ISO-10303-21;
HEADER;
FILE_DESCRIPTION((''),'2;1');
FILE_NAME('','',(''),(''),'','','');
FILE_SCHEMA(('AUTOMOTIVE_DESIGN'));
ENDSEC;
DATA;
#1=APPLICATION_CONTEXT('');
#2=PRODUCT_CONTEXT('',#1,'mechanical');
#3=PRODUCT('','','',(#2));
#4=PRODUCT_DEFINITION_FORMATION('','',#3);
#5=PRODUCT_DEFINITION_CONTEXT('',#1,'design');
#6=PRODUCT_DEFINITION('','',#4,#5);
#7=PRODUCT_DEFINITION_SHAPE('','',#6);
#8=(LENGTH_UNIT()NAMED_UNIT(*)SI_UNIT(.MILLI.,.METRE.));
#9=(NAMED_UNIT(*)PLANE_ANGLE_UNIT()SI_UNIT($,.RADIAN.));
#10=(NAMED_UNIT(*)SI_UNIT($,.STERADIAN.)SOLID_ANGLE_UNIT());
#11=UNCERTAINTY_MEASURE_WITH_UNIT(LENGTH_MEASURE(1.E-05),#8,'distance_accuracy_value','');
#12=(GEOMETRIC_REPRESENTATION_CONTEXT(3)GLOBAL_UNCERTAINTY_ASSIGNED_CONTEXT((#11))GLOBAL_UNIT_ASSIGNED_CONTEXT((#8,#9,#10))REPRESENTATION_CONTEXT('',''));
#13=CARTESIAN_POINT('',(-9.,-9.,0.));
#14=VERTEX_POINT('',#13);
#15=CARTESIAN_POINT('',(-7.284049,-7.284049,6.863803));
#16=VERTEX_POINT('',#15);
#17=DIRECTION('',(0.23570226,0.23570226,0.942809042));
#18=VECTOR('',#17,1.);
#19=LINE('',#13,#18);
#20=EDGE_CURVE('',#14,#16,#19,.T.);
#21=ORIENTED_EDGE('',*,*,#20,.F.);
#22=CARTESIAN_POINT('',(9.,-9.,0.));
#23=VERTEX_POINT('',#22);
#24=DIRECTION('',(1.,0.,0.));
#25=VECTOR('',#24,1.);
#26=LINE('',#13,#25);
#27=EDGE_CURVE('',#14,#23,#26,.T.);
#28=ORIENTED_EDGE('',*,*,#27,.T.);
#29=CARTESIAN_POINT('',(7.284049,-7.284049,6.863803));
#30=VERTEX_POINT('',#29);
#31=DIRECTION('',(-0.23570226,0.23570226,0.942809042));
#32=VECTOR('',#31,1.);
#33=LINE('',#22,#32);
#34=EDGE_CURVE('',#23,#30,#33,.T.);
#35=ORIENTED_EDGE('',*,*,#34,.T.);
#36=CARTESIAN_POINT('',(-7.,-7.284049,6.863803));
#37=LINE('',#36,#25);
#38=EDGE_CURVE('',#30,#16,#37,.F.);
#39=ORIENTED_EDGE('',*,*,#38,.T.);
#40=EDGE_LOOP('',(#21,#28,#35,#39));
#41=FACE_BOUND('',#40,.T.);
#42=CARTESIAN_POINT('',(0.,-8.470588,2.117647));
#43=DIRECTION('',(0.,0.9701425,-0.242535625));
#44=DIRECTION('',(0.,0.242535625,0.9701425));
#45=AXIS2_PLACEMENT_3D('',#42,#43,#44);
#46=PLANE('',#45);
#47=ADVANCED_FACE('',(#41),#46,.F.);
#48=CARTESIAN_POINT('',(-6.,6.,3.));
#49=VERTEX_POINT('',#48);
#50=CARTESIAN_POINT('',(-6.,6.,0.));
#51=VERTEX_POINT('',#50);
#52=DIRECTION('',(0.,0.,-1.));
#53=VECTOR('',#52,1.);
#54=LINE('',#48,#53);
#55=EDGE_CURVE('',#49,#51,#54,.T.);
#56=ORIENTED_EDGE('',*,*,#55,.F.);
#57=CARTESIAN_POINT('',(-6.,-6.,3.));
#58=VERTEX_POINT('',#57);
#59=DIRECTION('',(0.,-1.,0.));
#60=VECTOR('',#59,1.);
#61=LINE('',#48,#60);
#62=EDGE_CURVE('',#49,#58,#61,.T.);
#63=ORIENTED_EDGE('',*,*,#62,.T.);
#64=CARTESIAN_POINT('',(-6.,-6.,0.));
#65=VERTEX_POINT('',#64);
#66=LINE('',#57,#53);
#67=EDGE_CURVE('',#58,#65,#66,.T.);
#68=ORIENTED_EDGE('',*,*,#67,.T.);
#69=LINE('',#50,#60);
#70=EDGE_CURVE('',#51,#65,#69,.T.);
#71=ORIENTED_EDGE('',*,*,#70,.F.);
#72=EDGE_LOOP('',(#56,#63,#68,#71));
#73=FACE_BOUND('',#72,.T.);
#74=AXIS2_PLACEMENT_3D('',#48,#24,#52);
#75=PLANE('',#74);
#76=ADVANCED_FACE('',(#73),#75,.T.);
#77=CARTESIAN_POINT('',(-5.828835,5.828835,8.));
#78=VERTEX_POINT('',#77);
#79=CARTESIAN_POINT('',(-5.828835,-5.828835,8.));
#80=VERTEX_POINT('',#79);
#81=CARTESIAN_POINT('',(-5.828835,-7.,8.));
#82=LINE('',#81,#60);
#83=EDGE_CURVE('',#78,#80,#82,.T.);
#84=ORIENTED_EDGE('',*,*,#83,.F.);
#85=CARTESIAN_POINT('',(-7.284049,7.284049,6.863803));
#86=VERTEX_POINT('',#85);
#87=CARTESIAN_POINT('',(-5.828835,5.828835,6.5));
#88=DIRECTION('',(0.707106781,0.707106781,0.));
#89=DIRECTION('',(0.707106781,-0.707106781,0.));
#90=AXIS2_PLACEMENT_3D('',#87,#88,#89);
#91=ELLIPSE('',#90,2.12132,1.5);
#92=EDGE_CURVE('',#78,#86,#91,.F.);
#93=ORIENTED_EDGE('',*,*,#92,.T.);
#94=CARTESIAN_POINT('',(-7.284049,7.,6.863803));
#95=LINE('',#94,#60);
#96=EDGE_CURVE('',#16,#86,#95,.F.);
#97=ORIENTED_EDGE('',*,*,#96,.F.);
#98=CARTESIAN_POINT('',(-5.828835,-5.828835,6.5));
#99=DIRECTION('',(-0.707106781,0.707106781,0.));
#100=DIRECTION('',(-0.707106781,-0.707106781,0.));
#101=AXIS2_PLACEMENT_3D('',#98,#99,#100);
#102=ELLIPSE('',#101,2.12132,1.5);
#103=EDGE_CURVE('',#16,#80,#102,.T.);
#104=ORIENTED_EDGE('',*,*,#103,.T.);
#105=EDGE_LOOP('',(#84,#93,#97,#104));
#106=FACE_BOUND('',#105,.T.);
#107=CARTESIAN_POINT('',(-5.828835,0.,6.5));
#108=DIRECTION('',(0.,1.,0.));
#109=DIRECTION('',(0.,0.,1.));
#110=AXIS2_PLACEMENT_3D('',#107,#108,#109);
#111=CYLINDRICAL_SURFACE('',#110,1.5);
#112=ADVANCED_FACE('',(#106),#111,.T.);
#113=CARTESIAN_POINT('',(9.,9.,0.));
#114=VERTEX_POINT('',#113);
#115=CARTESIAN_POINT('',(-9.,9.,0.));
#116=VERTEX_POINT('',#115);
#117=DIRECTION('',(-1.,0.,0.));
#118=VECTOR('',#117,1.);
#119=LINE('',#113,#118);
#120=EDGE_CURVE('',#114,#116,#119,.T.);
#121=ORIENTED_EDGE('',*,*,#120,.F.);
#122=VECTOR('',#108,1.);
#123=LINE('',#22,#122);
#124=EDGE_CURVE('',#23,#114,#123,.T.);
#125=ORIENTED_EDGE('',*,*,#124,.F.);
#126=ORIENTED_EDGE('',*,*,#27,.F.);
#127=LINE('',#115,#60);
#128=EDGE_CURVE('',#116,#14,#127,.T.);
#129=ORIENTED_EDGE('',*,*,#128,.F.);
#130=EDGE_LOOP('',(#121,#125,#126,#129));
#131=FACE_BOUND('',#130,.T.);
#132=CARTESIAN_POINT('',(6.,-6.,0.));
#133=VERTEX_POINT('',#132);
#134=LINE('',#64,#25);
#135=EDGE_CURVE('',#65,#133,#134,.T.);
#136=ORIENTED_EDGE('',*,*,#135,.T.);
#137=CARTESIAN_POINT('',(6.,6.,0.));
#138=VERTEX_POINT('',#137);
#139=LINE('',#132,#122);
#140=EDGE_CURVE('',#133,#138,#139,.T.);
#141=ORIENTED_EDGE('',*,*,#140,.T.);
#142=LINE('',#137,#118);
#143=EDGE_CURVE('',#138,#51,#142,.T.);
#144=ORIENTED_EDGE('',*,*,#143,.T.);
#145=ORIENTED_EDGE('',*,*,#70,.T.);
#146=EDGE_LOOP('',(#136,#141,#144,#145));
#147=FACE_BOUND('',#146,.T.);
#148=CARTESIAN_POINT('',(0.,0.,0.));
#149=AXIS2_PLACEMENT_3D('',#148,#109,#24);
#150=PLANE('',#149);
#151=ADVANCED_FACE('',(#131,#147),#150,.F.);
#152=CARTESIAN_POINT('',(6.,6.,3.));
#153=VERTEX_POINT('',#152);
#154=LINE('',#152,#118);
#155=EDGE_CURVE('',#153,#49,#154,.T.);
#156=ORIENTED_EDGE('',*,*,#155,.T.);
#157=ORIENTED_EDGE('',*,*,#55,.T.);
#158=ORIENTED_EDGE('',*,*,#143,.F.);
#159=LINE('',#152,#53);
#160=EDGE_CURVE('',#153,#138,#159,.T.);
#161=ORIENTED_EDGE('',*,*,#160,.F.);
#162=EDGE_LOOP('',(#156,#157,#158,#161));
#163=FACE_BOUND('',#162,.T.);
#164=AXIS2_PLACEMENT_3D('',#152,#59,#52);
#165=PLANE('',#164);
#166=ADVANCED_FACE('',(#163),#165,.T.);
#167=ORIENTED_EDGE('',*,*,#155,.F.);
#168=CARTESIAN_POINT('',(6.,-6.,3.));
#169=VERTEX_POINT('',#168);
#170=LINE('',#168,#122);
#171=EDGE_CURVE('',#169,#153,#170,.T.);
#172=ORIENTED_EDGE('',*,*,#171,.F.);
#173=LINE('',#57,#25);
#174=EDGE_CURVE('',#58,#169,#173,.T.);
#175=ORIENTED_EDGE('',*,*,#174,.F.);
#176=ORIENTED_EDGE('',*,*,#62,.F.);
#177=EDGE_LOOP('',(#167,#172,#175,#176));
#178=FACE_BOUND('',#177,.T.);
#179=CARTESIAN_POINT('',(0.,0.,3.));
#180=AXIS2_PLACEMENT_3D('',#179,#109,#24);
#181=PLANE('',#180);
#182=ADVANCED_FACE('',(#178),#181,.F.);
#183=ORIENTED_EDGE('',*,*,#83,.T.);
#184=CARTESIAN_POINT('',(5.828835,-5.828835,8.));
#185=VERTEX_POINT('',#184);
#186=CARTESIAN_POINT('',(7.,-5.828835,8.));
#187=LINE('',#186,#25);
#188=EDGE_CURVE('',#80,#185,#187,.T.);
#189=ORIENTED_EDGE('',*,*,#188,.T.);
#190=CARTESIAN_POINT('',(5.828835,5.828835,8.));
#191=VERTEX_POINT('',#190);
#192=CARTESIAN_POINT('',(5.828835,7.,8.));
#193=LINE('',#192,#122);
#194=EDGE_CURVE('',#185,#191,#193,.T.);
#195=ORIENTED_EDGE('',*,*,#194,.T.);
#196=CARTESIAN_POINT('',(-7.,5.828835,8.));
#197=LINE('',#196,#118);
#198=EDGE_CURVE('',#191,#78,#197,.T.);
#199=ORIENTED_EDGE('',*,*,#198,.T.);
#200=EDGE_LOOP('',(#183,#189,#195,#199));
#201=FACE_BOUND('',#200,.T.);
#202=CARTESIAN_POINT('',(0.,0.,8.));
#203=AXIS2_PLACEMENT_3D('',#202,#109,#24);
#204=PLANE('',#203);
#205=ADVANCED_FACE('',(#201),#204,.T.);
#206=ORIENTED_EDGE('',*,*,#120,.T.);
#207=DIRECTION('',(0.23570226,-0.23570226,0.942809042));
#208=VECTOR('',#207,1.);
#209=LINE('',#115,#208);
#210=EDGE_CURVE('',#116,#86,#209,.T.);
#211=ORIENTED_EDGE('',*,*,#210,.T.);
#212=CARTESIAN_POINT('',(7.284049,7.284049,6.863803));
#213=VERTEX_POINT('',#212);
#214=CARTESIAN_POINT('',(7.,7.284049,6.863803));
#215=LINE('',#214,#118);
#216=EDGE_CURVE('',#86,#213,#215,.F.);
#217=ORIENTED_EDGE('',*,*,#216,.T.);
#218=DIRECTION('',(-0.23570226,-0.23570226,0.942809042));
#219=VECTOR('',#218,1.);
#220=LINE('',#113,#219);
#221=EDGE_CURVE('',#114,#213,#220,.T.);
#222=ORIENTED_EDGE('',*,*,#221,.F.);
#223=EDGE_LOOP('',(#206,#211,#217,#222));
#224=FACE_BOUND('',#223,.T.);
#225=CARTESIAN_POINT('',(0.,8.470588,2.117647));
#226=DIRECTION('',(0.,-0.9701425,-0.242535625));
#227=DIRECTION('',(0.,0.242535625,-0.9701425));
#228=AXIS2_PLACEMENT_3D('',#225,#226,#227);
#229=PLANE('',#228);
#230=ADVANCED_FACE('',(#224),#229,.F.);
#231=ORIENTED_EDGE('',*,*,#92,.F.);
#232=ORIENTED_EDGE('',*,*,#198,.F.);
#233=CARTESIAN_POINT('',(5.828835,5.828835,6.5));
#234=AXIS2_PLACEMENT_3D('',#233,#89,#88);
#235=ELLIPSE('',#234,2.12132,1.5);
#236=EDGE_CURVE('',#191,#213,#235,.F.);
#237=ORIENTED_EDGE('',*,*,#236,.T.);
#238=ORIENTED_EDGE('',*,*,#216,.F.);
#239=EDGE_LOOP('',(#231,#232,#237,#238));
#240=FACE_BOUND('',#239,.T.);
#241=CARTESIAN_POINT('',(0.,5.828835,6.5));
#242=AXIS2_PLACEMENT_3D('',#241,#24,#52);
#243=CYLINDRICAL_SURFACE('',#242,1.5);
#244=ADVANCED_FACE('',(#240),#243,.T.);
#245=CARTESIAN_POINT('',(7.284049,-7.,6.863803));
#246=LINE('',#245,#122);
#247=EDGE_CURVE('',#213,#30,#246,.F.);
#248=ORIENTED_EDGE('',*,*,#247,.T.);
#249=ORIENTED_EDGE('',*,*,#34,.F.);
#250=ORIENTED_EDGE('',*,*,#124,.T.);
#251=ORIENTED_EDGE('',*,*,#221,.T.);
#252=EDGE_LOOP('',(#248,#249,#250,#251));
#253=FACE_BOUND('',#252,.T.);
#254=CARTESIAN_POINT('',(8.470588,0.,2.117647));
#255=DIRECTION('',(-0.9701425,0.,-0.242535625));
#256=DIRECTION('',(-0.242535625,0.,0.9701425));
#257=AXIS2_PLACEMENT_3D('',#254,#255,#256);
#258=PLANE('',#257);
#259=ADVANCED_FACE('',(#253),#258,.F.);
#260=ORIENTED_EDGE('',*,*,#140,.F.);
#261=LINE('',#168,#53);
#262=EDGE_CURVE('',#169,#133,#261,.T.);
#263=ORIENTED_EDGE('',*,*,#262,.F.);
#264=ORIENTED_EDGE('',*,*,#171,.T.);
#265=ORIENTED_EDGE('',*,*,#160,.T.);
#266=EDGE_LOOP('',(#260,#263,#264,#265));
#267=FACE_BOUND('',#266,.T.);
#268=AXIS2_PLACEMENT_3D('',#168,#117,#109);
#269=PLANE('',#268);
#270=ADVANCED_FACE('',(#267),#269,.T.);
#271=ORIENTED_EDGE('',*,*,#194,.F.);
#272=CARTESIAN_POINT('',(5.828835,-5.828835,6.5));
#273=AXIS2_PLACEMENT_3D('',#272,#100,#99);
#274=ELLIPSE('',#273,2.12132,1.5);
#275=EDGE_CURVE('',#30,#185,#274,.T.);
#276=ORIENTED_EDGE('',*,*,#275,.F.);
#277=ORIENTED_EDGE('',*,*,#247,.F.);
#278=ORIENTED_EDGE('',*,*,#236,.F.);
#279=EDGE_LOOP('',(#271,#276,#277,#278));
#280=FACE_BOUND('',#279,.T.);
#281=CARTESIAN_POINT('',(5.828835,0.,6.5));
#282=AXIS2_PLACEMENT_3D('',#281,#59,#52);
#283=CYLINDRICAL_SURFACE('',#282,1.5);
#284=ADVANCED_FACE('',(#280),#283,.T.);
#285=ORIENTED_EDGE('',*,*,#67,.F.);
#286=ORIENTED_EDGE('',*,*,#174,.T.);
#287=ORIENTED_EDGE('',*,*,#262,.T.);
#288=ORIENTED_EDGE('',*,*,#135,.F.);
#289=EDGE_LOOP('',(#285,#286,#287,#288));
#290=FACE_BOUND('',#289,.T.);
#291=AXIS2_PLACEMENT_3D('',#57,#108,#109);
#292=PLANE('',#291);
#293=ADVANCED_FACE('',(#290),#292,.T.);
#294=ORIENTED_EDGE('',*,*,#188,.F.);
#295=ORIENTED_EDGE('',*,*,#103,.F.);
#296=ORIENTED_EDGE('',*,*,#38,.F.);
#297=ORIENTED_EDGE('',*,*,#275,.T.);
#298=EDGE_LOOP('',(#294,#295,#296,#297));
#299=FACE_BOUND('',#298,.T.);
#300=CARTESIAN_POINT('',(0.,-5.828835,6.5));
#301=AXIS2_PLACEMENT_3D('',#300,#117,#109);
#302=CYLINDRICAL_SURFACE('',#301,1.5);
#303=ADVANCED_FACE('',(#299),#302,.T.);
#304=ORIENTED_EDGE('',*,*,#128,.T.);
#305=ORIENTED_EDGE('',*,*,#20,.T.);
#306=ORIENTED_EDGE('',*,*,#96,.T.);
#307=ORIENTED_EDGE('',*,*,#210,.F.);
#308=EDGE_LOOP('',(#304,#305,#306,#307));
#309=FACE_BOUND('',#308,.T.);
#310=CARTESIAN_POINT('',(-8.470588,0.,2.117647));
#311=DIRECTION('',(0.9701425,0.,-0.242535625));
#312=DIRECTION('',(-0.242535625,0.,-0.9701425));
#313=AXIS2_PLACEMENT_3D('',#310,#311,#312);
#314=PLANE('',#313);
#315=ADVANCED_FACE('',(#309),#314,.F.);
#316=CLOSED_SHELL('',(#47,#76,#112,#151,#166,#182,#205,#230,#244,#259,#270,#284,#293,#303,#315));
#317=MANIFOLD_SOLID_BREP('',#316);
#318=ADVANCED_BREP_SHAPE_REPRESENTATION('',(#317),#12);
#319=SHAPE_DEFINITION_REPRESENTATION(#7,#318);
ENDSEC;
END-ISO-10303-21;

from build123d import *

# Parameters (mm, degrees)
SKETCH_3_W          = 12
SKETCH_3_H          = 12
CUT_EXTRUDE_1_DEPTH = 3
FILLET_1_R          = 1.5


with BuildPart() as part:
    # 草图1 → 放样1 section 0
    with BuildSketch(Plane.XY):
        with BuildLine():
            Line((-9, -9), (9, -9))
            Line((9, -9), (9, 9))
            Line((9, 9), (-9, 9))
            Line((-9, 9), (-9, -9))
        make_face()
    # 草图2 → 放样1 section 1
    with BuildSketch(Plane.XY.offset(8)):
        with BuildLine():
            Line((-7, -7), (7, -7))
            Line((7, -7), (7, 7))
            Line((7, 7), (-7, 7))
            Line((-7, 7), (-7, -7))
        make_face()
    loft()

    # 草图3 → 切除-拉伸1 (cut)
    with BuildSketch(Plane.XY):
        Rectangle(SKETCH_3_W, SKETCH_3_H)
    extrude(amount=CUT_EXTRUDE_1_DEPTH, mode=Mode.SUBTRACT)

    # 圆角1
    fillet_1_edges = [part.edges().sort_by_distance(p)[0] for p in [
        (0, 7, 8),
        (7, 0, 8),
        (0, -7, 8),
        (-7, 0, 8),
    ]]
    fillet(fillet_1_edges, radius=FILLET_1_R)


solid = part.part
